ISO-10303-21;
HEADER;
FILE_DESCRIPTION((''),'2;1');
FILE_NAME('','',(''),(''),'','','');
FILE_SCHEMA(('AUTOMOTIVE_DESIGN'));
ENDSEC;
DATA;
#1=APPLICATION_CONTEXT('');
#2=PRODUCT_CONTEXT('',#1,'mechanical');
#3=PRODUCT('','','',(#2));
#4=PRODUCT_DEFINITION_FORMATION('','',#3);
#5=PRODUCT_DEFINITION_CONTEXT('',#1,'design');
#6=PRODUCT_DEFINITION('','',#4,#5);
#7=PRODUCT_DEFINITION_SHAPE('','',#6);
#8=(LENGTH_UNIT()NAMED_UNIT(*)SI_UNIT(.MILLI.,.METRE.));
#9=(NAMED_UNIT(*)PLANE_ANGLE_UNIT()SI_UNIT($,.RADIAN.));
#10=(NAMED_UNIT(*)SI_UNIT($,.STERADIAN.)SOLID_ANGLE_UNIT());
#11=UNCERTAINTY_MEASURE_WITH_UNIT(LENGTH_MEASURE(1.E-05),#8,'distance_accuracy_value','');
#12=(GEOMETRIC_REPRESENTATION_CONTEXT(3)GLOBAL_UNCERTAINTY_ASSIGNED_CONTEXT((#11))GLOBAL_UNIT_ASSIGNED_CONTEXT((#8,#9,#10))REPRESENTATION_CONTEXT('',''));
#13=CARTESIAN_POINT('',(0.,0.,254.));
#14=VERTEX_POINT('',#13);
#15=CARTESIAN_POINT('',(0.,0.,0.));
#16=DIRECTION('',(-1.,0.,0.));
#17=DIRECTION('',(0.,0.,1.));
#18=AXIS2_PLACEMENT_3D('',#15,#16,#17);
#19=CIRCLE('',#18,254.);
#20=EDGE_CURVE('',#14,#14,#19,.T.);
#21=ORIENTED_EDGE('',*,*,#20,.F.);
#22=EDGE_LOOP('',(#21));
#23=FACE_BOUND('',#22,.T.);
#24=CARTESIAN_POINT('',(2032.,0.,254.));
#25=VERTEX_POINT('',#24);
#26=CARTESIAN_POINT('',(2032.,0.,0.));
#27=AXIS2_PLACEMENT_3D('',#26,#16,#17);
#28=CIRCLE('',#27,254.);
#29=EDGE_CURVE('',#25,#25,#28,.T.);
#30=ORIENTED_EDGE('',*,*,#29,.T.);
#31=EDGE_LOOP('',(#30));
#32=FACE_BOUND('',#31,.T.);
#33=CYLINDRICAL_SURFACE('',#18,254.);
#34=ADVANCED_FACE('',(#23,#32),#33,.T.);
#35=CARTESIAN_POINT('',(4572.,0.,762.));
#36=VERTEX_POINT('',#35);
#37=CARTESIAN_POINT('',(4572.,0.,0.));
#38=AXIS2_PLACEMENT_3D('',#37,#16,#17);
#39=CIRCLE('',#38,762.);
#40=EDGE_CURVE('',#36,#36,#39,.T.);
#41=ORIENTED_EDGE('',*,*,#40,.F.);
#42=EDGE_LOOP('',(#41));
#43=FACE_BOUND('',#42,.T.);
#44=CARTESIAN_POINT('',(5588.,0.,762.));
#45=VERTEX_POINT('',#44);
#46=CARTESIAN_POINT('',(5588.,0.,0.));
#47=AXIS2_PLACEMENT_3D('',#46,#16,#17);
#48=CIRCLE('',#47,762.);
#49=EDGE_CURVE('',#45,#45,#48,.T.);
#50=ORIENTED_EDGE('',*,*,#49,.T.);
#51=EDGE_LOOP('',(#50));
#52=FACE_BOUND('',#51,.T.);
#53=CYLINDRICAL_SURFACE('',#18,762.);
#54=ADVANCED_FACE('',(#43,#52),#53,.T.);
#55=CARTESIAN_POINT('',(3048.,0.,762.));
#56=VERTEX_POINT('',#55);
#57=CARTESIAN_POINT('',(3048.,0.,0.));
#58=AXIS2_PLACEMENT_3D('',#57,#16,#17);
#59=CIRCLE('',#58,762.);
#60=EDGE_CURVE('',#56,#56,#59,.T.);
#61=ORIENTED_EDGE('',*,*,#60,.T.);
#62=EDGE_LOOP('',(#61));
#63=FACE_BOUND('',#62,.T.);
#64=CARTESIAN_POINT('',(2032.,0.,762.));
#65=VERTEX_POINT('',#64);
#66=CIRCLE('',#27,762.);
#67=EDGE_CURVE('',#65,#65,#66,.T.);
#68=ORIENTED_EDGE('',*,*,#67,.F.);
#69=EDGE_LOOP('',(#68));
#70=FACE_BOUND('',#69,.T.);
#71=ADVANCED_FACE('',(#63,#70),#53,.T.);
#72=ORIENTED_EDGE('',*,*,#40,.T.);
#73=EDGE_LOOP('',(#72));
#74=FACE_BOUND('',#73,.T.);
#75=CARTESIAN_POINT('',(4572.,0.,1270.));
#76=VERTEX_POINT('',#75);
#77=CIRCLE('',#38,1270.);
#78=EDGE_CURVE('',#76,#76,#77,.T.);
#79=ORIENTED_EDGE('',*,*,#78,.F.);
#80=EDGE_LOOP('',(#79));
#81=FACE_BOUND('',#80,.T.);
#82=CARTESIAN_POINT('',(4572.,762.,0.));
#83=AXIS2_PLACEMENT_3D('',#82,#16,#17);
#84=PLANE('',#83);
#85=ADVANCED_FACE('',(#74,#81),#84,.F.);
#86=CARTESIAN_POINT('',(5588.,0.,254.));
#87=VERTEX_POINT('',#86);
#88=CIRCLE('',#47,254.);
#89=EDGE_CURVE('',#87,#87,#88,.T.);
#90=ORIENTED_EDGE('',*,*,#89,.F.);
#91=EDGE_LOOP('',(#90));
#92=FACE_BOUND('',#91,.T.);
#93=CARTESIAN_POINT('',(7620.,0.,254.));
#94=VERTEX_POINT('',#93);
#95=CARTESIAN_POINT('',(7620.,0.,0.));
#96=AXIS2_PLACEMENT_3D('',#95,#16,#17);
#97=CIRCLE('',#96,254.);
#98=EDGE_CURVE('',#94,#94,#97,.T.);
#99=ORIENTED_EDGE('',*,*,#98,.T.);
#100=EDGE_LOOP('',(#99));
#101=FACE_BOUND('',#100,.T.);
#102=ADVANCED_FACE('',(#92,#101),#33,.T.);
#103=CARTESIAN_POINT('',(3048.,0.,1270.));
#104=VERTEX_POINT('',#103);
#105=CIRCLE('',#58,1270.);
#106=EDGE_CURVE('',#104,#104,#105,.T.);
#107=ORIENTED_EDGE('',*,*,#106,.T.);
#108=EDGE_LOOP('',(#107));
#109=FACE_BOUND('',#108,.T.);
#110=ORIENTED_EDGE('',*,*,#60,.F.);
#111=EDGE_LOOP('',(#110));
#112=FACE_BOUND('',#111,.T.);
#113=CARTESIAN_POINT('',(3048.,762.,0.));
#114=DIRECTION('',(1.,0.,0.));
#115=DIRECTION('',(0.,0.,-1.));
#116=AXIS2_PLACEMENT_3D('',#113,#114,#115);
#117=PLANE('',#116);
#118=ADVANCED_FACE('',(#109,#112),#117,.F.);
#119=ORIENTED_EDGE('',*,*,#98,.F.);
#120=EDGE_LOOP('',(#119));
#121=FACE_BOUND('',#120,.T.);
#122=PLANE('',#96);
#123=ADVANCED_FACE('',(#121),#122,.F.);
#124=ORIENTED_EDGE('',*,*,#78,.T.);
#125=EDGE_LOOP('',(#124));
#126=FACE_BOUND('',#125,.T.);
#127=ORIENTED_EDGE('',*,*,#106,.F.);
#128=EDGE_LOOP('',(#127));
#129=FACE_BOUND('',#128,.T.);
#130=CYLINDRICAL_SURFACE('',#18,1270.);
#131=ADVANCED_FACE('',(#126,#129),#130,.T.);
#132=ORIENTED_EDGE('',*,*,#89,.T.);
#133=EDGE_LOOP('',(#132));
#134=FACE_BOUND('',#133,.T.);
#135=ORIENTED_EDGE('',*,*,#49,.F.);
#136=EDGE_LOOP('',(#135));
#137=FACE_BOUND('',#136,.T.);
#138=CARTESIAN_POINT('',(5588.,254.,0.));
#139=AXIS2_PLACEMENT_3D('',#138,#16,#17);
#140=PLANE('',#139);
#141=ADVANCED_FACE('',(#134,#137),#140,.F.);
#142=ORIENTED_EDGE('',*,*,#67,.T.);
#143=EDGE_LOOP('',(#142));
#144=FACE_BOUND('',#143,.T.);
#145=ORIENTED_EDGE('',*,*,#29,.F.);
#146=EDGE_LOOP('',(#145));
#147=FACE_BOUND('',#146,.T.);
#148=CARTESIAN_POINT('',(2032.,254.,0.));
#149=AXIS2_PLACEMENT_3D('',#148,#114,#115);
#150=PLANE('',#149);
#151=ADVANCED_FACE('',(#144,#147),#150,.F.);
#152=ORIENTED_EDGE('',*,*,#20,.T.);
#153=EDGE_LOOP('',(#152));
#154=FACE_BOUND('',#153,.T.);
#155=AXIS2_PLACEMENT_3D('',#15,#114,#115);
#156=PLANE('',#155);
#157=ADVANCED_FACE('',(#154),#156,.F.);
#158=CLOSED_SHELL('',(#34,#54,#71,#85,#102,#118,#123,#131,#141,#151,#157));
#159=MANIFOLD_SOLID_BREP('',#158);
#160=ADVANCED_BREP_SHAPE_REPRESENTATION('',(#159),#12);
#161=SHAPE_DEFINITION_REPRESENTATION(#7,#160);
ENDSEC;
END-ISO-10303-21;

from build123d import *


with BuildPart() as part:
    # Sketch1 → Revolve4 (revolve)
    with BuildSketch(Plane.XY, mode=Mode.PRIVATE) as revolve4_sk:
        Polygon((0, 0), (0, 254), (2032, 254), (2032, 762), (3048, 762), (3048, 1270), (4572, 1270), (4572, 762), (5588, 762), (5588, 254), (7620, 254), (7620, 0), align=None)
    revolve(revolve4_sk.sketch.rotate(Axis((0, 0, 0), (1, 0, 0)), 90), axis=Axis((0, 0, 0), (1, 0, 0)))  # turned: the seam where the file's is


solid = part.part
